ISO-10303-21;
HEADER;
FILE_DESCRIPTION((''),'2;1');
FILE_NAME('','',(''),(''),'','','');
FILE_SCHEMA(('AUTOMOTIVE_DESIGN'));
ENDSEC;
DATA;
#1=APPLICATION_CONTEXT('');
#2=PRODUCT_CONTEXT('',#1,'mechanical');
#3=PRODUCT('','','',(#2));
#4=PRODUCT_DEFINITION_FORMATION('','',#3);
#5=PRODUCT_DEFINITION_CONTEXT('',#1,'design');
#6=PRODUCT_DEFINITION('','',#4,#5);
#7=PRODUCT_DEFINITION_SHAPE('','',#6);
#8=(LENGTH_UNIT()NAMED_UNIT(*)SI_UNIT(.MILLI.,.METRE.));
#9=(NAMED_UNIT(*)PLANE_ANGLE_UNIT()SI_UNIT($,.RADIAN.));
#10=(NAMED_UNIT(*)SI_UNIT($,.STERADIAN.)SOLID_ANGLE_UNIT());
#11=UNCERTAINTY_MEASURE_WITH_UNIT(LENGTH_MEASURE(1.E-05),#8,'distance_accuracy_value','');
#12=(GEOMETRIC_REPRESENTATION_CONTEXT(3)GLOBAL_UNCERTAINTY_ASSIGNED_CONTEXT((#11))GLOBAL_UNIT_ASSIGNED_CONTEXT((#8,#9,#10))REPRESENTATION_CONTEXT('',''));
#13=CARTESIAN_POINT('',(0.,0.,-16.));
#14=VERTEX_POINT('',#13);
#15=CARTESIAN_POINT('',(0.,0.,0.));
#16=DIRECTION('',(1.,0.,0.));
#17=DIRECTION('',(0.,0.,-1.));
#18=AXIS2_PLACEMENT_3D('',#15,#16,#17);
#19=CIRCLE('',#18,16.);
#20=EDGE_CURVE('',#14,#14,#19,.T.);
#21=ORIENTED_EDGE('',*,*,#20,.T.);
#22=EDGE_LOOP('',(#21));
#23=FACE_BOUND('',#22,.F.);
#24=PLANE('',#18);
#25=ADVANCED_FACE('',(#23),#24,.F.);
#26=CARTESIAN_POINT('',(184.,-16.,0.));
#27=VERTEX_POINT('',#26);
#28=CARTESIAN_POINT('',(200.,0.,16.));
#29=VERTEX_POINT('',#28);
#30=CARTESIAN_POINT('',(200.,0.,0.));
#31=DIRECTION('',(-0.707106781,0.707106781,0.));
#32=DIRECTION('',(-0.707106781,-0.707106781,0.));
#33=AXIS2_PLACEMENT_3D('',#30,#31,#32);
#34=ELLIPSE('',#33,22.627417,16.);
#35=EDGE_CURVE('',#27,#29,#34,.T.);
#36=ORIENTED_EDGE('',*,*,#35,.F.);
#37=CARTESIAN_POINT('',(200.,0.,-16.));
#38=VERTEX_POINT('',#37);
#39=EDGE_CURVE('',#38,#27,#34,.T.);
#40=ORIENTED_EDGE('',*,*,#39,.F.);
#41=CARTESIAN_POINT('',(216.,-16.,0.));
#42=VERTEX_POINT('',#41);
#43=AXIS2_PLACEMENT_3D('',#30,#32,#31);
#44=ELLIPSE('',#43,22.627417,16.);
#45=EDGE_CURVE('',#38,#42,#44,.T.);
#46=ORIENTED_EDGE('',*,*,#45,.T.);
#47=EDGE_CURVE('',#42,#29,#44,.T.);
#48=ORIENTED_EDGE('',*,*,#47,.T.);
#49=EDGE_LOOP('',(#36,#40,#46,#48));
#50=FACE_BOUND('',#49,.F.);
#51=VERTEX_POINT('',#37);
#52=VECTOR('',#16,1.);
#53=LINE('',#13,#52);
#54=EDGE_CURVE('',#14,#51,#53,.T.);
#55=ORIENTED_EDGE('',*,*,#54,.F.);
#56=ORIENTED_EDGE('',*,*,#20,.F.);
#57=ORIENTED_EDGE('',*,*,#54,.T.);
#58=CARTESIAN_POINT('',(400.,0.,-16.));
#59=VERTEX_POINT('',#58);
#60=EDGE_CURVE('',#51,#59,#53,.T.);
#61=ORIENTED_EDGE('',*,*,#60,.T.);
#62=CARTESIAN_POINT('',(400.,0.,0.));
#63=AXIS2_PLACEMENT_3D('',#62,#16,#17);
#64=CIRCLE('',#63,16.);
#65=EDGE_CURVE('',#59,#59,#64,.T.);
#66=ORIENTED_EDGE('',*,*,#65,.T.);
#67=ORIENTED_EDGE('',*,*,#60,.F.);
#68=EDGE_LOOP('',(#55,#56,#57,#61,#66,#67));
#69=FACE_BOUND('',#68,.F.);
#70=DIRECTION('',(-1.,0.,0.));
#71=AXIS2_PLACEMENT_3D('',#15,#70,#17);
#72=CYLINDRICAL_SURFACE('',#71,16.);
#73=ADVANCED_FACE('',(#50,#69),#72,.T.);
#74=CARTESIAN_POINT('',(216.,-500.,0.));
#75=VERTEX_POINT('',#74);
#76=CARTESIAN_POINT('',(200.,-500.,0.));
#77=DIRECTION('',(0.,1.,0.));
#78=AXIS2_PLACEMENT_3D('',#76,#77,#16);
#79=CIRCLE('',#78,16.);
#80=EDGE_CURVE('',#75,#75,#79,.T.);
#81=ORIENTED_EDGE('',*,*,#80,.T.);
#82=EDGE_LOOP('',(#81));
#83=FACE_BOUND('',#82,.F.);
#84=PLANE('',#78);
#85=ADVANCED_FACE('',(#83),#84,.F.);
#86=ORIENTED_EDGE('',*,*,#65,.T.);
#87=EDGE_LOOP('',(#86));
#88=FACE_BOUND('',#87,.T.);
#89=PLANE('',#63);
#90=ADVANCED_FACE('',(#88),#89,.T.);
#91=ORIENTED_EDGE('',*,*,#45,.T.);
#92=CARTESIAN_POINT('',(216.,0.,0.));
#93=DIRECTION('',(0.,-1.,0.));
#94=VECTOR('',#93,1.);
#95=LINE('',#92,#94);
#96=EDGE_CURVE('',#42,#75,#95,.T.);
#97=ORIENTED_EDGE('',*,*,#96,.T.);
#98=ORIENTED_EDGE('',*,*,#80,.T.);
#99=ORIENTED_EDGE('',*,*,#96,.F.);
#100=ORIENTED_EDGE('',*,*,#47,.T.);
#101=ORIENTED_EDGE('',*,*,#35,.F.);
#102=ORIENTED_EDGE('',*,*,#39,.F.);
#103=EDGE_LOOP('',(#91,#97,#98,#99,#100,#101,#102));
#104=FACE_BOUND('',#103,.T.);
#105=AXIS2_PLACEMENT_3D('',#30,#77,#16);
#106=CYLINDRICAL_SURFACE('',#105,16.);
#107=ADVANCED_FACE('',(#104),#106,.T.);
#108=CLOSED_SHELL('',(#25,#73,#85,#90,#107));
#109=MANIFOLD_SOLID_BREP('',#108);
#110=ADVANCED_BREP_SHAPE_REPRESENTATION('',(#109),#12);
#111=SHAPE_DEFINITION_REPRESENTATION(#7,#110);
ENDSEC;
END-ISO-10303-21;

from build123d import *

# Parameters (mm, degrees)
SKETCH1_R           = 16
BOSS_EXTRUDE1_DEPTH = 400
SKETCH2_R           = 16
BOSS_EXTRUDE2_DEPTH = 500


with BuildPart() as part:
    # Sketch1 → Boss-Extrude1 (new body)
    with BuildSketch(Plane(origin=(0, 0, 0), x_dir=(0, 0, -1), z_dir=(1, 0, 0))):
        Circle(SKETCH1_R)
    extrude(amount=BOSS_EXTRUDE1_DEPTH)

    # Sketch2 → Boss-Extrude2 (add)
    with BuildSketch(Plane(origin=(0, 0, 0), x_dir=(1, 0, 0), z_dir=(0, 1, 0))):
        with Locations((200, 0)):
            Circle(SKETCH2_R)
    extrude(amount=-BOSS_EXTRUDE2_DEPTH)


solid = part.part
